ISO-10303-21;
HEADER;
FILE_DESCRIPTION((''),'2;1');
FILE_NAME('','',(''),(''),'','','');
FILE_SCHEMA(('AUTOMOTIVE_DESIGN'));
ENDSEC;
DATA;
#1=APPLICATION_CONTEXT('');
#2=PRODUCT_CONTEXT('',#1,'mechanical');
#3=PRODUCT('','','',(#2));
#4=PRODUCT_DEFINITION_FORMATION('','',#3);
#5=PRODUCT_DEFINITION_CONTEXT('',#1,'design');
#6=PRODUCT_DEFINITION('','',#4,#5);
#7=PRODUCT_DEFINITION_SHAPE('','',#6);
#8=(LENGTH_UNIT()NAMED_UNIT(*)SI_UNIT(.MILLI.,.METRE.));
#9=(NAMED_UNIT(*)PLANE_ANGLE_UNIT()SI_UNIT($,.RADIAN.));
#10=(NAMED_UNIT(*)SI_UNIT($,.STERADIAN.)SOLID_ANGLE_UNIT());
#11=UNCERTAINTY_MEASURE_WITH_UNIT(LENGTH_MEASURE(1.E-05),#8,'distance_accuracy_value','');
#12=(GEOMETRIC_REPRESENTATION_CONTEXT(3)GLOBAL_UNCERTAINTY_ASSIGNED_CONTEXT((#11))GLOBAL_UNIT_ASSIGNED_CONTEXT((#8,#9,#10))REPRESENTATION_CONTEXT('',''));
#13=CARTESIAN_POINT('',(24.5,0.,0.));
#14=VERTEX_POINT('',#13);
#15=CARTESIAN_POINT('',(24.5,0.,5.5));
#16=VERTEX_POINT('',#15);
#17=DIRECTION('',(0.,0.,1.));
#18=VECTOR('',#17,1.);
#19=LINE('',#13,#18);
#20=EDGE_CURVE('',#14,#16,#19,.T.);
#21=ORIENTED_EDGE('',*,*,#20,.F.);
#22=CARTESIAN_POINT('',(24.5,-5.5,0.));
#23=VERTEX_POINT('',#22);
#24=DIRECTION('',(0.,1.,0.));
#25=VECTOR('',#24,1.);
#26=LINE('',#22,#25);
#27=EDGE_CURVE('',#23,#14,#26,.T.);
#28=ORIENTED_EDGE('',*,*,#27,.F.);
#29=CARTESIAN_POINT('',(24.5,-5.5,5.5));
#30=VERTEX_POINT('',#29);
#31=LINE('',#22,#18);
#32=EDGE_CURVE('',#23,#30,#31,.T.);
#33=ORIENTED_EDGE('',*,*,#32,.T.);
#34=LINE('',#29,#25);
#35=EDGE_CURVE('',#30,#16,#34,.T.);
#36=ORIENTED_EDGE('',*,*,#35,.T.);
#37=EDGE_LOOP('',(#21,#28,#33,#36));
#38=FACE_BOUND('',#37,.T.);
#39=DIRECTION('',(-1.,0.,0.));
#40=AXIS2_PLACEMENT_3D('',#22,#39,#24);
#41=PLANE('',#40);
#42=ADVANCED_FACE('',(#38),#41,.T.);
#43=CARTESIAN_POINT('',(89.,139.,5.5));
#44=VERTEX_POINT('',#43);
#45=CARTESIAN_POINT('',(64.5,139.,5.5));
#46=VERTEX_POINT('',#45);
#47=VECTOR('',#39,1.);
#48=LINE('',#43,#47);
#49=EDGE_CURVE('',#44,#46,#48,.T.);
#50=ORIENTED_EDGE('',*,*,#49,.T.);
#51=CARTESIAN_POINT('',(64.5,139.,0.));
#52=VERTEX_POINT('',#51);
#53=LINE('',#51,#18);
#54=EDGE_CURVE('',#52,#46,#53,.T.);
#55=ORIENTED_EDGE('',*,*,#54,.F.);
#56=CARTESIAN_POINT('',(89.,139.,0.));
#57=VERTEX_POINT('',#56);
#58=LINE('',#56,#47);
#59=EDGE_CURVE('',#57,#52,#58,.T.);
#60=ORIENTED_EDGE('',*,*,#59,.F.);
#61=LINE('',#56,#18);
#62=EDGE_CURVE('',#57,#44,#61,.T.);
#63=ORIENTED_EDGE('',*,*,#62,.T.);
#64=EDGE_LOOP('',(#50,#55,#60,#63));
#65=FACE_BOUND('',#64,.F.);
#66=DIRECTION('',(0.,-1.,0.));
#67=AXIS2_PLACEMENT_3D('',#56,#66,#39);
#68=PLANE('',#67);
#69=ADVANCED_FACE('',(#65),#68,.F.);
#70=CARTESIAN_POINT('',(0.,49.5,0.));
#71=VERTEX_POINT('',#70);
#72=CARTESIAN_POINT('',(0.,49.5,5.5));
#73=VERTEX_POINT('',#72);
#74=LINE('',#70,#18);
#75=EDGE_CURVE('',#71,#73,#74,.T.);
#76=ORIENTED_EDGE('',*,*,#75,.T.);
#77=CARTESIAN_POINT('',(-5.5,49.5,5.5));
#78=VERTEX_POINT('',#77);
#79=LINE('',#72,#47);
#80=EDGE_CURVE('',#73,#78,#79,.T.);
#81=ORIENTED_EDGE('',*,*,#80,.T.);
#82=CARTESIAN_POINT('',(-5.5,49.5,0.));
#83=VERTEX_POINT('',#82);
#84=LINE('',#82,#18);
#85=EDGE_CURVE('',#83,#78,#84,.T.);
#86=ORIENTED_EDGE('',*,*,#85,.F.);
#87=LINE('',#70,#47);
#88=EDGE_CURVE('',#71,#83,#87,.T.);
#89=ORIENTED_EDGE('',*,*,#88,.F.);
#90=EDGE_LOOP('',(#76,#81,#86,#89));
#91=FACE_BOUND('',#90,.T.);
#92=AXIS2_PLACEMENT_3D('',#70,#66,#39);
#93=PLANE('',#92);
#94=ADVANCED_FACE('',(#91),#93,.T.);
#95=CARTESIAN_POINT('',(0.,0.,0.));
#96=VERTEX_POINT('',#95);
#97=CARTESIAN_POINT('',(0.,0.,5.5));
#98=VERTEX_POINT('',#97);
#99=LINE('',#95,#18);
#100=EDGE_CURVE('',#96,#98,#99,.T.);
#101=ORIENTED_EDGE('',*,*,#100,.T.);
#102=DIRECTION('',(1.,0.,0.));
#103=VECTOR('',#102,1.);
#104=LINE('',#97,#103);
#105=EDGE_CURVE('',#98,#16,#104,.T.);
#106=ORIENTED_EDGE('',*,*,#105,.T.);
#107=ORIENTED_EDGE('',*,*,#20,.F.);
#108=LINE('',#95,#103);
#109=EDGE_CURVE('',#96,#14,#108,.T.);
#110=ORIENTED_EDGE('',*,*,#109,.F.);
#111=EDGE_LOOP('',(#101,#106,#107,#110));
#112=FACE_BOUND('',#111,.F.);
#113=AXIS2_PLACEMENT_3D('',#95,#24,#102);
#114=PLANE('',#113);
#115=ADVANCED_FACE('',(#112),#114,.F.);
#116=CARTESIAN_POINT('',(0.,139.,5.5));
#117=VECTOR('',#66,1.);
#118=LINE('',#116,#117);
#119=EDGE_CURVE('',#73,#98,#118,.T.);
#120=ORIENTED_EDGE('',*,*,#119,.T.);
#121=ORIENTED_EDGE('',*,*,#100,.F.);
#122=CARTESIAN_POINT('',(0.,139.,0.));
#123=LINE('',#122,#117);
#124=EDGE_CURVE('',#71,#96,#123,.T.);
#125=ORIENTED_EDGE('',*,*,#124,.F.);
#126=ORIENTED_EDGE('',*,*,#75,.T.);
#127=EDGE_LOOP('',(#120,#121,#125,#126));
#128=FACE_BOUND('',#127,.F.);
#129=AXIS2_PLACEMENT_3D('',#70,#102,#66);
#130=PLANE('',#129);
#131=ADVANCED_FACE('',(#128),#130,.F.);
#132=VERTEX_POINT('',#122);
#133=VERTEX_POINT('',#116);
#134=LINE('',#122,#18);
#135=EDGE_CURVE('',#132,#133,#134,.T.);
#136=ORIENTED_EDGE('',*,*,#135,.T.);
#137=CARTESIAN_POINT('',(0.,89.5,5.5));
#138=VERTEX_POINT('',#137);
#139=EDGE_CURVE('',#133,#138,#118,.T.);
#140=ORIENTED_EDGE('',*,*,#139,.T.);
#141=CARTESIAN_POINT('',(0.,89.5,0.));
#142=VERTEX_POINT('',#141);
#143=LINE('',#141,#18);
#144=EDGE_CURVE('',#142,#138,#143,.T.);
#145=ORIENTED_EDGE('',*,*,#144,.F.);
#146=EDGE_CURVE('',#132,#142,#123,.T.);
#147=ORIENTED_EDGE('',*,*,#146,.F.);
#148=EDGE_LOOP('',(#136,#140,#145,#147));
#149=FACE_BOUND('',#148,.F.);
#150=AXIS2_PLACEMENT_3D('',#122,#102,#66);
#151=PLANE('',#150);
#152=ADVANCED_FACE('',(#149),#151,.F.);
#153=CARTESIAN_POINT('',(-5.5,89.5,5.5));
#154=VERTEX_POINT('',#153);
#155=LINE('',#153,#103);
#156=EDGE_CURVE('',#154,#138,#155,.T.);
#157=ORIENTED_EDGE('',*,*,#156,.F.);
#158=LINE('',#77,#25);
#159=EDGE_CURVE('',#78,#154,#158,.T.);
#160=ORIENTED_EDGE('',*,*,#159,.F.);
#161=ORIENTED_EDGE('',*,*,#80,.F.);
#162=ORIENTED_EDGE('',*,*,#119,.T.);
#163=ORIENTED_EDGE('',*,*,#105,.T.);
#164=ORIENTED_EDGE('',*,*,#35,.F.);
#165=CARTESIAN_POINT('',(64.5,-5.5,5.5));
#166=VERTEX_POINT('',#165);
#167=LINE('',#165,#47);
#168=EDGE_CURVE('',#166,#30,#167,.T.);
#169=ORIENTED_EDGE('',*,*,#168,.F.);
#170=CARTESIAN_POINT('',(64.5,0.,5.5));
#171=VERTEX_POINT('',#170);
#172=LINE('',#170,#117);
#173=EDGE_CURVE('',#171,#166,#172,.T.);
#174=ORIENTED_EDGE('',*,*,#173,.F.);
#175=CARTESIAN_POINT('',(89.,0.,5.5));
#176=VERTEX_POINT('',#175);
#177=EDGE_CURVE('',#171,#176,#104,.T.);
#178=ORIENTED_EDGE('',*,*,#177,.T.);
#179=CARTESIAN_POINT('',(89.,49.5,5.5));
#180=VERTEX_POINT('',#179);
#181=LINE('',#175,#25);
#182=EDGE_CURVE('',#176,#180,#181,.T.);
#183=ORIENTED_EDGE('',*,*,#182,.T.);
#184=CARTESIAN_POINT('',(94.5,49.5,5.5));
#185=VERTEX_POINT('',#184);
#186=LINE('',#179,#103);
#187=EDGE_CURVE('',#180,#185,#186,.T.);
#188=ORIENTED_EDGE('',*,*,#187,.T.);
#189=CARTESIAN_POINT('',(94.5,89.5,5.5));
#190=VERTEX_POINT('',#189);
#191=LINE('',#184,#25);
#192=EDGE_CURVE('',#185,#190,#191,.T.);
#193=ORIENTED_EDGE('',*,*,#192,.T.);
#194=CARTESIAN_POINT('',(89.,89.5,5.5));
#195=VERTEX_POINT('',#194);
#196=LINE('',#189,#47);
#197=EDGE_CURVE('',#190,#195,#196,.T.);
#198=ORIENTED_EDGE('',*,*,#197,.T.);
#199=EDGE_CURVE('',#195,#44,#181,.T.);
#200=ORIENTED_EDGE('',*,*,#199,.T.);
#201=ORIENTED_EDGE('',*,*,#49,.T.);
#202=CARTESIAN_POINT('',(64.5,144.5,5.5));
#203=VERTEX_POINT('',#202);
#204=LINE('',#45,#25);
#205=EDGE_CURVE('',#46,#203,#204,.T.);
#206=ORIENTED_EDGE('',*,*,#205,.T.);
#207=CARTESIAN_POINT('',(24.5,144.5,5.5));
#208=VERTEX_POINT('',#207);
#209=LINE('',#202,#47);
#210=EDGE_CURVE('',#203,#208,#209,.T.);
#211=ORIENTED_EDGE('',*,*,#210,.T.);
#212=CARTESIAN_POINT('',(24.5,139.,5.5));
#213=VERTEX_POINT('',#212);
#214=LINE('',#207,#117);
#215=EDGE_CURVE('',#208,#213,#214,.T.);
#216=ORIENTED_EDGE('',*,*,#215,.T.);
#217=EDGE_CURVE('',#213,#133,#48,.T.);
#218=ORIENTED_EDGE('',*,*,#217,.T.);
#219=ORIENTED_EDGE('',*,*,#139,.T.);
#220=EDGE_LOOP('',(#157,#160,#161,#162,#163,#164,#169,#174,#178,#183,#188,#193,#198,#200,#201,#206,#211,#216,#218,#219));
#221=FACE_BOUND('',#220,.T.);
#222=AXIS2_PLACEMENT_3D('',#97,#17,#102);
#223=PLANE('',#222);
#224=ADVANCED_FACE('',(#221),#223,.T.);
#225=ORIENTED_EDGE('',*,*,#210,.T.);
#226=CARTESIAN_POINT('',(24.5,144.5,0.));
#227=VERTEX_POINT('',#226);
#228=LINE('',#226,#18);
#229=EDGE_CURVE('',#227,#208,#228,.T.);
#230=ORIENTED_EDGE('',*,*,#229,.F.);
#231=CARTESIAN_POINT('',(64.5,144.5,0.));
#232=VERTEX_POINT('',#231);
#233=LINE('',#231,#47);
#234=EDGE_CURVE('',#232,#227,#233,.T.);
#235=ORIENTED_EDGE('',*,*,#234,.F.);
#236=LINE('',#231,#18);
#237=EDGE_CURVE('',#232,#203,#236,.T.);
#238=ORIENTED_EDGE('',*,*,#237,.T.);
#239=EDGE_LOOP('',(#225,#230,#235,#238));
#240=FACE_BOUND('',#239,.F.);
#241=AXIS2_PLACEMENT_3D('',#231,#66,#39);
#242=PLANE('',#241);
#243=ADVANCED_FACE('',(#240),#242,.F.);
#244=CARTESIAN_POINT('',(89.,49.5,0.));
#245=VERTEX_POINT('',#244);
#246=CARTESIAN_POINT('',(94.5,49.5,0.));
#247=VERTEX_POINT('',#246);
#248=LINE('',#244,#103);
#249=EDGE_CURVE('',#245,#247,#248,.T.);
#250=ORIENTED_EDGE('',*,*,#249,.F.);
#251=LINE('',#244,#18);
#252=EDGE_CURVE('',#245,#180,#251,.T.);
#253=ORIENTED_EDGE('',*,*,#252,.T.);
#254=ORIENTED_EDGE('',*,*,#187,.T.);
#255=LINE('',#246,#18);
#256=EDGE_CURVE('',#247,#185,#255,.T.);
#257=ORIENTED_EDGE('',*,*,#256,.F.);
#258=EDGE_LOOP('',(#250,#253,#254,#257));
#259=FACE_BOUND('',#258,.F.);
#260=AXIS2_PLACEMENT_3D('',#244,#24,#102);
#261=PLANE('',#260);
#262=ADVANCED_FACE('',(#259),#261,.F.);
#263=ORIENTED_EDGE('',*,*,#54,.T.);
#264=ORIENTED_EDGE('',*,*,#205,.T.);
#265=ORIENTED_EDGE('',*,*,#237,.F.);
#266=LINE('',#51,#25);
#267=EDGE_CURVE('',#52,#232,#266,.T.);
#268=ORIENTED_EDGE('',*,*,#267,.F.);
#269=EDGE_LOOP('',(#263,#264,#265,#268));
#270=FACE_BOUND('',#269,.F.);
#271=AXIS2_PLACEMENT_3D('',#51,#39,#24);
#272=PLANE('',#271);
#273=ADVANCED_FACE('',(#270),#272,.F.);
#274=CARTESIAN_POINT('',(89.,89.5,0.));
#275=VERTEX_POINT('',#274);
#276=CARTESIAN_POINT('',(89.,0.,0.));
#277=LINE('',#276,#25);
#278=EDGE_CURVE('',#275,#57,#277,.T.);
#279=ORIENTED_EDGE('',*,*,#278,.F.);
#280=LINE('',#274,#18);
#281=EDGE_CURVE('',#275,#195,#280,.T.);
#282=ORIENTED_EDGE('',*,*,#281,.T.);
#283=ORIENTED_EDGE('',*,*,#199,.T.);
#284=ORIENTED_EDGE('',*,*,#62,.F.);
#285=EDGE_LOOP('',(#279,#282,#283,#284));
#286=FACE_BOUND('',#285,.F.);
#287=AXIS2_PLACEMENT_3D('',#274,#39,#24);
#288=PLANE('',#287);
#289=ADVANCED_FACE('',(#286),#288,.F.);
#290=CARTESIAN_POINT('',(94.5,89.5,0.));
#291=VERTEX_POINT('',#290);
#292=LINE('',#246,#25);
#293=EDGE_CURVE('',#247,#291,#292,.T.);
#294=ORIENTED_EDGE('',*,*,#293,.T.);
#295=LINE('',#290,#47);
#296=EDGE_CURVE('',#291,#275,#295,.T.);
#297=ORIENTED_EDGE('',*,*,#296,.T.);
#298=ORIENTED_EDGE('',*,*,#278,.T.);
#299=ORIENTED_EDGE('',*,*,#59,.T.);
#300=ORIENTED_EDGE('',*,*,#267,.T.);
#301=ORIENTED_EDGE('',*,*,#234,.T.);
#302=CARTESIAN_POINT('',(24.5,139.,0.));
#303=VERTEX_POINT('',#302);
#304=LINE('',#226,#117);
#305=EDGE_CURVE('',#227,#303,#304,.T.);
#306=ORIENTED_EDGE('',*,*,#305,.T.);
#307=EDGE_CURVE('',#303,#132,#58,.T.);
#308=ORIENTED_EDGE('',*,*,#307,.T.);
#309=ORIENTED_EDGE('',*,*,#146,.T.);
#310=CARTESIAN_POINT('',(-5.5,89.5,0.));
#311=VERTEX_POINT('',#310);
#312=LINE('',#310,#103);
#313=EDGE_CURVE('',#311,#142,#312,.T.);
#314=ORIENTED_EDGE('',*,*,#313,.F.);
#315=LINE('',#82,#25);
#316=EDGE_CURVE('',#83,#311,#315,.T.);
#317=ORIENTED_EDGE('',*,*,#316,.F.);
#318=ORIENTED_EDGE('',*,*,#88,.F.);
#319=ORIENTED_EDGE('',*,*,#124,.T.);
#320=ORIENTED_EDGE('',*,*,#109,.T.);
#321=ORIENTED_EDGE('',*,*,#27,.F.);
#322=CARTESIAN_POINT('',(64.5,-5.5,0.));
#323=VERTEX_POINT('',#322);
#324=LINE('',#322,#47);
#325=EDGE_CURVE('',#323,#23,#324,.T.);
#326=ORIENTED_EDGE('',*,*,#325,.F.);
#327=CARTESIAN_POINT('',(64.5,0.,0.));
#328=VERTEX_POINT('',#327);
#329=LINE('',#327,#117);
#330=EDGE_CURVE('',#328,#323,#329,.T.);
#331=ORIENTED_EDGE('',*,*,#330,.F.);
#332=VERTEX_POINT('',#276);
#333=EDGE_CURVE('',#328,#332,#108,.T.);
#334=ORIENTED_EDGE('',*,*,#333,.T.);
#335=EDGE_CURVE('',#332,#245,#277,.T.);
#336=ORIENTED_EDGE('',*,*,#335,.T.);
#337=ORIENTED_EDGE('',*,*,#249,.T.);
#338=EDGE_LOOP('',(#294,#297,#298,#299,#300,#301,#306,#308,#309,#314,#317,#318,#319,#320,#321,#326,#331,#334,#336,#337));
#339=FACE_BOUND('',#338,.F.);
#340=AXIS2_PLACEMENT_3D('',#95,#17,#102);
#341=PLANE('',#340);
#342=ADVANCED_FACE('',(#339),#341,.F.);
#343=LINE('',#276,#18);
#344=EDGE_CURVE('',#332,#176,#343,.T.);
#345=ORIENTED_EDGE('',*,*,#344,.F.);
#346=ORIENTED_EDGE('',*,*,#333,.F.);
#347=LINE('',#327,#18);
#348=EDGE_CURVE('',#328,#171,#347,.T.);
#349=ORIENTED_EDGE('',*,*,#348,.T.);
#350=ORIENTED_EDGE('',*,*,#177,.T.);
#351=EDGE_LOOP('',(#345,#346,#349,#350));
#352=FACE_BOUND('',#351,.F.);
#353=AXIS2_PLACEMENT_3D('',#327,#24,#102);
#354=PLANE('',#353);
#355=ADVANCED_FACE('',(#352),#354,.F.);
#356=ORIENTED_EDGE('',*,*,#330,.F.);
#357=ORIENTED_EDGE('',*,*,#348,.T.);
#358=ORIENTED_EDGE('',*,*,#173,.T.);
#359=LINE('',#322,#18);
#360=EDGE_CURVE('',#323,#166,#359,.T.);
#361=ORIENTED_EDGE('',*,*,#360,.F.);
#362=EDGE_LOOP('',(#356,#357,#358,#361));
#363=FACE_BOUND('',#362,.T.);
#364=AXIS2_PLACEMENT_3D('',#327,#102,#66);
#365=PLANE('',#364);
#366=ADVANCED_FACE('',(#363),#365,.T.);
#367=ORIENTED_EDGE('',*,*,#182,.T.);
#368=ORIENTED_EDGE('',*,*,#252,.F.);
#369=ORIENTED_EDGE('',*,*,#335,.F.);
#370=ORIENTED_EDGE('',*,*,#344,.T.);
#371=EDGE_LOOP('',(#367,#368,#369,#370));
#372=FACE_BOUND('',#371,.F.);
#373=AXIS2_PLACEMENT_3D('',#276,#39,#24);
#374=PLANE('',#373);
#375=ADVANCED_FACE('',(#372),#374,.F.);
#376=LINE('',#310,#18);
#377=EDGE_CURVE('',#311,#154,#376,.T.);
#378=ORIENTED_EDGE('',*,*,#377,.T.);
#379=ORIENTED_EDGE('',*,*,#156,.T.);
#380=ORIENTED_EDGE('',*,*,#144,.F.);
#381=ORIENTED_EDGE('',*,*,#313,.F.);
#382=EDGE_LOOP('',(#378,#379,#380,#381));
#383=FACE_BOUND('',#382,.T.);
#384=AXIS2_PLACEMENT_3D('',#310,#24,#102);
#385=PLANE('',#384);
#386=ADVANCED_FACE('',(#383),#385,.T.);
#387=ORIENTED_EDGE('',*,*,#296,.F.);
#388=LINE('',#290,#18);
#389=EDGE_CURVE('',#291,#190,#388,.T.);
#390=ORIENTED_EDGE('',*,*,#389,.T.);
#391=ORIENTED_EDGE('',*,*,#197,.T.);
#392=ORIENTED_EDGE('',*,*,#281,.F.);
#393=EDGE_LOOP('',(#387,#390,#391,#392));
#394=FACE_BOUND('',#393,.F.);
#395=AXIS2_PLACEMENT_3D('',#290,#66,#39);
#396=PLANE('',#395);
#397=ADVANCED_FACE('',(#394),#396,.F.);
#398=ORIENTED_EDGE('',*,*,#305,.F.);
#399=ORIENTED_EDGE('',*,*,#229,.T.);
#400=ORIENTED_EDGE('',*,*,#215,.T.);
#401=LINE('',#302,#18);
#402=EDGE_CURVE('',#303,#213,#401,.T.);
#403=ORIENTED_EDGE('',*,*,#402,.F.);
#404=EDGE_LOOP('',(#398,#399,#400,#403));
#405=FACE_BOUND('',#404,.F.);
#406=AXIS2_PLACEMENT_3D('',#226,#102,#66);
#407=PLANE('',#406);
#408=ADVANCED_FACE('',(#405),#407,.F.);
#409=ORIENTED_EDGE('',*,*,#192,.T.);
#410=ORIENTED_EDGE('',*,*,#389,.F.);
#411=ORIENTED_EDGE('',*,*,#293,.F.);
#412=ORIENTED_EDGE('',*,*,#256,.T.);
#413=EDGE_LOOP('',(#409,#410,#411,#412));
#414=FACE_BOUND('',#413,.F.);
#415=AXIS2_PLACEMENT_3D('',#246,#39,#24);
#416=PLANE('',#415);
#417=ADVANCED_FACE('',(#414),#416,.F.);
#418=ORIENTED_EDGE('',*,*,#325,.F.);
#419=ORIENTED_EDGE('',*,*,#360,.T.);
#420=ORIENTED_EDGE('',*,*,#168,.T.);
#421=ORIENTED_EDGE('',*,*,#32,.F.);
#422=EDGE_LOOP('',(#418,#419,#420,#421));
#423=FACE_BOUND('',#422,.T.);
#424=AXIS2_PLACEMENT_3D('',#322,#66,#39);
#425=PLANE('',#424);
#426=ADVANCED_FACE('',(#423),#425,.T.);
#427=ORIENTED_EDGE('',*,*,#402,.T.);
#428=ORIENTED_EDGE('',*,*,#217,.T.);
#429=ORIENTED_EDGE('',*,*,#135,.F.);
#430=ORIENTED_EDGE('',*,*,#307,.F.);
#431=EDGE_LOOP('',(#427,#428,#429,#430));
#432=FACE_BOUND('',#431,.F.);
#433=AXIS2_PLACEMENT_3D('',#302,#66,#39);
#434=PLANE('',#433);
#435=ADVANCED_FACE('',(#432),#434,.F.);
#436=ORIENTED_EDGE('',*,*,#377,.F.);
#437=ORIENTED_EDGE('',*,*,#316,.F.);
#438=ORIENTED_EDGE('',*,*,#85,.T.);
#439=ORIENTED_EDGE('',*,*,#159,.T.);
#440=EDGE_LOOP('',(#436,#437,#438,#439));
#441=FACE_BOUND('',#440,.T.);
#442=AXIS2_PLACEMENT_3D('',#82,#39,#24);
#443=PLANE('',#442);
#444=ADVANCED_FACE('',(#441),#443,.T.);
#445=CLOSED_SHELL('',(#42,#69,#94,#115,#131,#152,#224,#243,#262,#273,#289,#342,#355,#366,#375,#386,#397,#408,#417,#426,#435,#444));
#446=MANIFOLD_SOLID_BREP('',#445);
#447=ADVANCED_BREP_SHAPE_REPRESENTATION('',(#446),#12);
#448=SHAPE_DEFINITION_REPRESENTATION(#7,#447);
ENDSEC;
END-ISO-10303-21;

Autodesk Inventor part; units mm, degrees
ref_plane "YZ Plane" through (0, 0, 0) normal (1, 0, 0) x (0, 1, 0)
ref_plane "XZ Plane" through (0, 0, 0) normal (0, 1, 0) x (-1, 0, 0)
ref_plane "XY Plane" through (0, 0, 0) normal (0, 0, 1) x (1, 0, 0)
sketch "Sketch1" plane through (0, 0, 0) normal (0, 0, 1) x (1, 0, 0)
  line L0 (0, 0) -> (89, 0)
  line L1 (89, 0) -> (89, 139)
  line L2 (89, 139) -> (0, 139)
  line L3 (0, 139) -> (0, 0)
  line L4 (24.5, 0) -> (64.5, 0)
  line L5 (64.5, 0) -> (64.5, -5.5)
  line L6 (64.5, -5.5) -> (24.5, -5.5)
  line L7 (24.5, -5.5) -> (24.5, 0)
  line L8 (24.5, 139) -> (64.5, 139)
  line L9 (64.5, 139) -> (64.5, 144.5)
  line L10 (64.5, 144.5) -> (24.5, 144.5)
  line L11 (24.5, 144.5) -> (24.5, 139)
  line L12 (0, 49.5) -> (-5.5, 49.5)
  line L13 (-5.5, 49.5) -> (-5.5, 89.5)
  line L14 (-5.5, 89.5) -> (0, 89.5)
  line L15 (0, 89.5) -> (0, 49.5)
  line L16 (89, 49.5) -> (94.5, 49.5)
  line L17 (94.5, 49.5) -> (94.5, 89.5)
  line L18 (94.5, 89.5) -> (89, 89.5)
  line L19 (89, 89.5) -> (89, 49.5)
  dimension "d5" = 89
  dimension "d6" = 139
  dimension "d7" = 40
  dimension "d8" = 5.5
  dimension "d9" = 40
  dimension "d10" = 5.5
  dimension "d11" = 5.5
  dimension "d12" = 40
  dimension "d13" = 5.5
  dimension "d14" = 40
extrude "Extrusion1" add sketch "Sketch1" along normal blind 5.5
properties part number "tapadelante"
